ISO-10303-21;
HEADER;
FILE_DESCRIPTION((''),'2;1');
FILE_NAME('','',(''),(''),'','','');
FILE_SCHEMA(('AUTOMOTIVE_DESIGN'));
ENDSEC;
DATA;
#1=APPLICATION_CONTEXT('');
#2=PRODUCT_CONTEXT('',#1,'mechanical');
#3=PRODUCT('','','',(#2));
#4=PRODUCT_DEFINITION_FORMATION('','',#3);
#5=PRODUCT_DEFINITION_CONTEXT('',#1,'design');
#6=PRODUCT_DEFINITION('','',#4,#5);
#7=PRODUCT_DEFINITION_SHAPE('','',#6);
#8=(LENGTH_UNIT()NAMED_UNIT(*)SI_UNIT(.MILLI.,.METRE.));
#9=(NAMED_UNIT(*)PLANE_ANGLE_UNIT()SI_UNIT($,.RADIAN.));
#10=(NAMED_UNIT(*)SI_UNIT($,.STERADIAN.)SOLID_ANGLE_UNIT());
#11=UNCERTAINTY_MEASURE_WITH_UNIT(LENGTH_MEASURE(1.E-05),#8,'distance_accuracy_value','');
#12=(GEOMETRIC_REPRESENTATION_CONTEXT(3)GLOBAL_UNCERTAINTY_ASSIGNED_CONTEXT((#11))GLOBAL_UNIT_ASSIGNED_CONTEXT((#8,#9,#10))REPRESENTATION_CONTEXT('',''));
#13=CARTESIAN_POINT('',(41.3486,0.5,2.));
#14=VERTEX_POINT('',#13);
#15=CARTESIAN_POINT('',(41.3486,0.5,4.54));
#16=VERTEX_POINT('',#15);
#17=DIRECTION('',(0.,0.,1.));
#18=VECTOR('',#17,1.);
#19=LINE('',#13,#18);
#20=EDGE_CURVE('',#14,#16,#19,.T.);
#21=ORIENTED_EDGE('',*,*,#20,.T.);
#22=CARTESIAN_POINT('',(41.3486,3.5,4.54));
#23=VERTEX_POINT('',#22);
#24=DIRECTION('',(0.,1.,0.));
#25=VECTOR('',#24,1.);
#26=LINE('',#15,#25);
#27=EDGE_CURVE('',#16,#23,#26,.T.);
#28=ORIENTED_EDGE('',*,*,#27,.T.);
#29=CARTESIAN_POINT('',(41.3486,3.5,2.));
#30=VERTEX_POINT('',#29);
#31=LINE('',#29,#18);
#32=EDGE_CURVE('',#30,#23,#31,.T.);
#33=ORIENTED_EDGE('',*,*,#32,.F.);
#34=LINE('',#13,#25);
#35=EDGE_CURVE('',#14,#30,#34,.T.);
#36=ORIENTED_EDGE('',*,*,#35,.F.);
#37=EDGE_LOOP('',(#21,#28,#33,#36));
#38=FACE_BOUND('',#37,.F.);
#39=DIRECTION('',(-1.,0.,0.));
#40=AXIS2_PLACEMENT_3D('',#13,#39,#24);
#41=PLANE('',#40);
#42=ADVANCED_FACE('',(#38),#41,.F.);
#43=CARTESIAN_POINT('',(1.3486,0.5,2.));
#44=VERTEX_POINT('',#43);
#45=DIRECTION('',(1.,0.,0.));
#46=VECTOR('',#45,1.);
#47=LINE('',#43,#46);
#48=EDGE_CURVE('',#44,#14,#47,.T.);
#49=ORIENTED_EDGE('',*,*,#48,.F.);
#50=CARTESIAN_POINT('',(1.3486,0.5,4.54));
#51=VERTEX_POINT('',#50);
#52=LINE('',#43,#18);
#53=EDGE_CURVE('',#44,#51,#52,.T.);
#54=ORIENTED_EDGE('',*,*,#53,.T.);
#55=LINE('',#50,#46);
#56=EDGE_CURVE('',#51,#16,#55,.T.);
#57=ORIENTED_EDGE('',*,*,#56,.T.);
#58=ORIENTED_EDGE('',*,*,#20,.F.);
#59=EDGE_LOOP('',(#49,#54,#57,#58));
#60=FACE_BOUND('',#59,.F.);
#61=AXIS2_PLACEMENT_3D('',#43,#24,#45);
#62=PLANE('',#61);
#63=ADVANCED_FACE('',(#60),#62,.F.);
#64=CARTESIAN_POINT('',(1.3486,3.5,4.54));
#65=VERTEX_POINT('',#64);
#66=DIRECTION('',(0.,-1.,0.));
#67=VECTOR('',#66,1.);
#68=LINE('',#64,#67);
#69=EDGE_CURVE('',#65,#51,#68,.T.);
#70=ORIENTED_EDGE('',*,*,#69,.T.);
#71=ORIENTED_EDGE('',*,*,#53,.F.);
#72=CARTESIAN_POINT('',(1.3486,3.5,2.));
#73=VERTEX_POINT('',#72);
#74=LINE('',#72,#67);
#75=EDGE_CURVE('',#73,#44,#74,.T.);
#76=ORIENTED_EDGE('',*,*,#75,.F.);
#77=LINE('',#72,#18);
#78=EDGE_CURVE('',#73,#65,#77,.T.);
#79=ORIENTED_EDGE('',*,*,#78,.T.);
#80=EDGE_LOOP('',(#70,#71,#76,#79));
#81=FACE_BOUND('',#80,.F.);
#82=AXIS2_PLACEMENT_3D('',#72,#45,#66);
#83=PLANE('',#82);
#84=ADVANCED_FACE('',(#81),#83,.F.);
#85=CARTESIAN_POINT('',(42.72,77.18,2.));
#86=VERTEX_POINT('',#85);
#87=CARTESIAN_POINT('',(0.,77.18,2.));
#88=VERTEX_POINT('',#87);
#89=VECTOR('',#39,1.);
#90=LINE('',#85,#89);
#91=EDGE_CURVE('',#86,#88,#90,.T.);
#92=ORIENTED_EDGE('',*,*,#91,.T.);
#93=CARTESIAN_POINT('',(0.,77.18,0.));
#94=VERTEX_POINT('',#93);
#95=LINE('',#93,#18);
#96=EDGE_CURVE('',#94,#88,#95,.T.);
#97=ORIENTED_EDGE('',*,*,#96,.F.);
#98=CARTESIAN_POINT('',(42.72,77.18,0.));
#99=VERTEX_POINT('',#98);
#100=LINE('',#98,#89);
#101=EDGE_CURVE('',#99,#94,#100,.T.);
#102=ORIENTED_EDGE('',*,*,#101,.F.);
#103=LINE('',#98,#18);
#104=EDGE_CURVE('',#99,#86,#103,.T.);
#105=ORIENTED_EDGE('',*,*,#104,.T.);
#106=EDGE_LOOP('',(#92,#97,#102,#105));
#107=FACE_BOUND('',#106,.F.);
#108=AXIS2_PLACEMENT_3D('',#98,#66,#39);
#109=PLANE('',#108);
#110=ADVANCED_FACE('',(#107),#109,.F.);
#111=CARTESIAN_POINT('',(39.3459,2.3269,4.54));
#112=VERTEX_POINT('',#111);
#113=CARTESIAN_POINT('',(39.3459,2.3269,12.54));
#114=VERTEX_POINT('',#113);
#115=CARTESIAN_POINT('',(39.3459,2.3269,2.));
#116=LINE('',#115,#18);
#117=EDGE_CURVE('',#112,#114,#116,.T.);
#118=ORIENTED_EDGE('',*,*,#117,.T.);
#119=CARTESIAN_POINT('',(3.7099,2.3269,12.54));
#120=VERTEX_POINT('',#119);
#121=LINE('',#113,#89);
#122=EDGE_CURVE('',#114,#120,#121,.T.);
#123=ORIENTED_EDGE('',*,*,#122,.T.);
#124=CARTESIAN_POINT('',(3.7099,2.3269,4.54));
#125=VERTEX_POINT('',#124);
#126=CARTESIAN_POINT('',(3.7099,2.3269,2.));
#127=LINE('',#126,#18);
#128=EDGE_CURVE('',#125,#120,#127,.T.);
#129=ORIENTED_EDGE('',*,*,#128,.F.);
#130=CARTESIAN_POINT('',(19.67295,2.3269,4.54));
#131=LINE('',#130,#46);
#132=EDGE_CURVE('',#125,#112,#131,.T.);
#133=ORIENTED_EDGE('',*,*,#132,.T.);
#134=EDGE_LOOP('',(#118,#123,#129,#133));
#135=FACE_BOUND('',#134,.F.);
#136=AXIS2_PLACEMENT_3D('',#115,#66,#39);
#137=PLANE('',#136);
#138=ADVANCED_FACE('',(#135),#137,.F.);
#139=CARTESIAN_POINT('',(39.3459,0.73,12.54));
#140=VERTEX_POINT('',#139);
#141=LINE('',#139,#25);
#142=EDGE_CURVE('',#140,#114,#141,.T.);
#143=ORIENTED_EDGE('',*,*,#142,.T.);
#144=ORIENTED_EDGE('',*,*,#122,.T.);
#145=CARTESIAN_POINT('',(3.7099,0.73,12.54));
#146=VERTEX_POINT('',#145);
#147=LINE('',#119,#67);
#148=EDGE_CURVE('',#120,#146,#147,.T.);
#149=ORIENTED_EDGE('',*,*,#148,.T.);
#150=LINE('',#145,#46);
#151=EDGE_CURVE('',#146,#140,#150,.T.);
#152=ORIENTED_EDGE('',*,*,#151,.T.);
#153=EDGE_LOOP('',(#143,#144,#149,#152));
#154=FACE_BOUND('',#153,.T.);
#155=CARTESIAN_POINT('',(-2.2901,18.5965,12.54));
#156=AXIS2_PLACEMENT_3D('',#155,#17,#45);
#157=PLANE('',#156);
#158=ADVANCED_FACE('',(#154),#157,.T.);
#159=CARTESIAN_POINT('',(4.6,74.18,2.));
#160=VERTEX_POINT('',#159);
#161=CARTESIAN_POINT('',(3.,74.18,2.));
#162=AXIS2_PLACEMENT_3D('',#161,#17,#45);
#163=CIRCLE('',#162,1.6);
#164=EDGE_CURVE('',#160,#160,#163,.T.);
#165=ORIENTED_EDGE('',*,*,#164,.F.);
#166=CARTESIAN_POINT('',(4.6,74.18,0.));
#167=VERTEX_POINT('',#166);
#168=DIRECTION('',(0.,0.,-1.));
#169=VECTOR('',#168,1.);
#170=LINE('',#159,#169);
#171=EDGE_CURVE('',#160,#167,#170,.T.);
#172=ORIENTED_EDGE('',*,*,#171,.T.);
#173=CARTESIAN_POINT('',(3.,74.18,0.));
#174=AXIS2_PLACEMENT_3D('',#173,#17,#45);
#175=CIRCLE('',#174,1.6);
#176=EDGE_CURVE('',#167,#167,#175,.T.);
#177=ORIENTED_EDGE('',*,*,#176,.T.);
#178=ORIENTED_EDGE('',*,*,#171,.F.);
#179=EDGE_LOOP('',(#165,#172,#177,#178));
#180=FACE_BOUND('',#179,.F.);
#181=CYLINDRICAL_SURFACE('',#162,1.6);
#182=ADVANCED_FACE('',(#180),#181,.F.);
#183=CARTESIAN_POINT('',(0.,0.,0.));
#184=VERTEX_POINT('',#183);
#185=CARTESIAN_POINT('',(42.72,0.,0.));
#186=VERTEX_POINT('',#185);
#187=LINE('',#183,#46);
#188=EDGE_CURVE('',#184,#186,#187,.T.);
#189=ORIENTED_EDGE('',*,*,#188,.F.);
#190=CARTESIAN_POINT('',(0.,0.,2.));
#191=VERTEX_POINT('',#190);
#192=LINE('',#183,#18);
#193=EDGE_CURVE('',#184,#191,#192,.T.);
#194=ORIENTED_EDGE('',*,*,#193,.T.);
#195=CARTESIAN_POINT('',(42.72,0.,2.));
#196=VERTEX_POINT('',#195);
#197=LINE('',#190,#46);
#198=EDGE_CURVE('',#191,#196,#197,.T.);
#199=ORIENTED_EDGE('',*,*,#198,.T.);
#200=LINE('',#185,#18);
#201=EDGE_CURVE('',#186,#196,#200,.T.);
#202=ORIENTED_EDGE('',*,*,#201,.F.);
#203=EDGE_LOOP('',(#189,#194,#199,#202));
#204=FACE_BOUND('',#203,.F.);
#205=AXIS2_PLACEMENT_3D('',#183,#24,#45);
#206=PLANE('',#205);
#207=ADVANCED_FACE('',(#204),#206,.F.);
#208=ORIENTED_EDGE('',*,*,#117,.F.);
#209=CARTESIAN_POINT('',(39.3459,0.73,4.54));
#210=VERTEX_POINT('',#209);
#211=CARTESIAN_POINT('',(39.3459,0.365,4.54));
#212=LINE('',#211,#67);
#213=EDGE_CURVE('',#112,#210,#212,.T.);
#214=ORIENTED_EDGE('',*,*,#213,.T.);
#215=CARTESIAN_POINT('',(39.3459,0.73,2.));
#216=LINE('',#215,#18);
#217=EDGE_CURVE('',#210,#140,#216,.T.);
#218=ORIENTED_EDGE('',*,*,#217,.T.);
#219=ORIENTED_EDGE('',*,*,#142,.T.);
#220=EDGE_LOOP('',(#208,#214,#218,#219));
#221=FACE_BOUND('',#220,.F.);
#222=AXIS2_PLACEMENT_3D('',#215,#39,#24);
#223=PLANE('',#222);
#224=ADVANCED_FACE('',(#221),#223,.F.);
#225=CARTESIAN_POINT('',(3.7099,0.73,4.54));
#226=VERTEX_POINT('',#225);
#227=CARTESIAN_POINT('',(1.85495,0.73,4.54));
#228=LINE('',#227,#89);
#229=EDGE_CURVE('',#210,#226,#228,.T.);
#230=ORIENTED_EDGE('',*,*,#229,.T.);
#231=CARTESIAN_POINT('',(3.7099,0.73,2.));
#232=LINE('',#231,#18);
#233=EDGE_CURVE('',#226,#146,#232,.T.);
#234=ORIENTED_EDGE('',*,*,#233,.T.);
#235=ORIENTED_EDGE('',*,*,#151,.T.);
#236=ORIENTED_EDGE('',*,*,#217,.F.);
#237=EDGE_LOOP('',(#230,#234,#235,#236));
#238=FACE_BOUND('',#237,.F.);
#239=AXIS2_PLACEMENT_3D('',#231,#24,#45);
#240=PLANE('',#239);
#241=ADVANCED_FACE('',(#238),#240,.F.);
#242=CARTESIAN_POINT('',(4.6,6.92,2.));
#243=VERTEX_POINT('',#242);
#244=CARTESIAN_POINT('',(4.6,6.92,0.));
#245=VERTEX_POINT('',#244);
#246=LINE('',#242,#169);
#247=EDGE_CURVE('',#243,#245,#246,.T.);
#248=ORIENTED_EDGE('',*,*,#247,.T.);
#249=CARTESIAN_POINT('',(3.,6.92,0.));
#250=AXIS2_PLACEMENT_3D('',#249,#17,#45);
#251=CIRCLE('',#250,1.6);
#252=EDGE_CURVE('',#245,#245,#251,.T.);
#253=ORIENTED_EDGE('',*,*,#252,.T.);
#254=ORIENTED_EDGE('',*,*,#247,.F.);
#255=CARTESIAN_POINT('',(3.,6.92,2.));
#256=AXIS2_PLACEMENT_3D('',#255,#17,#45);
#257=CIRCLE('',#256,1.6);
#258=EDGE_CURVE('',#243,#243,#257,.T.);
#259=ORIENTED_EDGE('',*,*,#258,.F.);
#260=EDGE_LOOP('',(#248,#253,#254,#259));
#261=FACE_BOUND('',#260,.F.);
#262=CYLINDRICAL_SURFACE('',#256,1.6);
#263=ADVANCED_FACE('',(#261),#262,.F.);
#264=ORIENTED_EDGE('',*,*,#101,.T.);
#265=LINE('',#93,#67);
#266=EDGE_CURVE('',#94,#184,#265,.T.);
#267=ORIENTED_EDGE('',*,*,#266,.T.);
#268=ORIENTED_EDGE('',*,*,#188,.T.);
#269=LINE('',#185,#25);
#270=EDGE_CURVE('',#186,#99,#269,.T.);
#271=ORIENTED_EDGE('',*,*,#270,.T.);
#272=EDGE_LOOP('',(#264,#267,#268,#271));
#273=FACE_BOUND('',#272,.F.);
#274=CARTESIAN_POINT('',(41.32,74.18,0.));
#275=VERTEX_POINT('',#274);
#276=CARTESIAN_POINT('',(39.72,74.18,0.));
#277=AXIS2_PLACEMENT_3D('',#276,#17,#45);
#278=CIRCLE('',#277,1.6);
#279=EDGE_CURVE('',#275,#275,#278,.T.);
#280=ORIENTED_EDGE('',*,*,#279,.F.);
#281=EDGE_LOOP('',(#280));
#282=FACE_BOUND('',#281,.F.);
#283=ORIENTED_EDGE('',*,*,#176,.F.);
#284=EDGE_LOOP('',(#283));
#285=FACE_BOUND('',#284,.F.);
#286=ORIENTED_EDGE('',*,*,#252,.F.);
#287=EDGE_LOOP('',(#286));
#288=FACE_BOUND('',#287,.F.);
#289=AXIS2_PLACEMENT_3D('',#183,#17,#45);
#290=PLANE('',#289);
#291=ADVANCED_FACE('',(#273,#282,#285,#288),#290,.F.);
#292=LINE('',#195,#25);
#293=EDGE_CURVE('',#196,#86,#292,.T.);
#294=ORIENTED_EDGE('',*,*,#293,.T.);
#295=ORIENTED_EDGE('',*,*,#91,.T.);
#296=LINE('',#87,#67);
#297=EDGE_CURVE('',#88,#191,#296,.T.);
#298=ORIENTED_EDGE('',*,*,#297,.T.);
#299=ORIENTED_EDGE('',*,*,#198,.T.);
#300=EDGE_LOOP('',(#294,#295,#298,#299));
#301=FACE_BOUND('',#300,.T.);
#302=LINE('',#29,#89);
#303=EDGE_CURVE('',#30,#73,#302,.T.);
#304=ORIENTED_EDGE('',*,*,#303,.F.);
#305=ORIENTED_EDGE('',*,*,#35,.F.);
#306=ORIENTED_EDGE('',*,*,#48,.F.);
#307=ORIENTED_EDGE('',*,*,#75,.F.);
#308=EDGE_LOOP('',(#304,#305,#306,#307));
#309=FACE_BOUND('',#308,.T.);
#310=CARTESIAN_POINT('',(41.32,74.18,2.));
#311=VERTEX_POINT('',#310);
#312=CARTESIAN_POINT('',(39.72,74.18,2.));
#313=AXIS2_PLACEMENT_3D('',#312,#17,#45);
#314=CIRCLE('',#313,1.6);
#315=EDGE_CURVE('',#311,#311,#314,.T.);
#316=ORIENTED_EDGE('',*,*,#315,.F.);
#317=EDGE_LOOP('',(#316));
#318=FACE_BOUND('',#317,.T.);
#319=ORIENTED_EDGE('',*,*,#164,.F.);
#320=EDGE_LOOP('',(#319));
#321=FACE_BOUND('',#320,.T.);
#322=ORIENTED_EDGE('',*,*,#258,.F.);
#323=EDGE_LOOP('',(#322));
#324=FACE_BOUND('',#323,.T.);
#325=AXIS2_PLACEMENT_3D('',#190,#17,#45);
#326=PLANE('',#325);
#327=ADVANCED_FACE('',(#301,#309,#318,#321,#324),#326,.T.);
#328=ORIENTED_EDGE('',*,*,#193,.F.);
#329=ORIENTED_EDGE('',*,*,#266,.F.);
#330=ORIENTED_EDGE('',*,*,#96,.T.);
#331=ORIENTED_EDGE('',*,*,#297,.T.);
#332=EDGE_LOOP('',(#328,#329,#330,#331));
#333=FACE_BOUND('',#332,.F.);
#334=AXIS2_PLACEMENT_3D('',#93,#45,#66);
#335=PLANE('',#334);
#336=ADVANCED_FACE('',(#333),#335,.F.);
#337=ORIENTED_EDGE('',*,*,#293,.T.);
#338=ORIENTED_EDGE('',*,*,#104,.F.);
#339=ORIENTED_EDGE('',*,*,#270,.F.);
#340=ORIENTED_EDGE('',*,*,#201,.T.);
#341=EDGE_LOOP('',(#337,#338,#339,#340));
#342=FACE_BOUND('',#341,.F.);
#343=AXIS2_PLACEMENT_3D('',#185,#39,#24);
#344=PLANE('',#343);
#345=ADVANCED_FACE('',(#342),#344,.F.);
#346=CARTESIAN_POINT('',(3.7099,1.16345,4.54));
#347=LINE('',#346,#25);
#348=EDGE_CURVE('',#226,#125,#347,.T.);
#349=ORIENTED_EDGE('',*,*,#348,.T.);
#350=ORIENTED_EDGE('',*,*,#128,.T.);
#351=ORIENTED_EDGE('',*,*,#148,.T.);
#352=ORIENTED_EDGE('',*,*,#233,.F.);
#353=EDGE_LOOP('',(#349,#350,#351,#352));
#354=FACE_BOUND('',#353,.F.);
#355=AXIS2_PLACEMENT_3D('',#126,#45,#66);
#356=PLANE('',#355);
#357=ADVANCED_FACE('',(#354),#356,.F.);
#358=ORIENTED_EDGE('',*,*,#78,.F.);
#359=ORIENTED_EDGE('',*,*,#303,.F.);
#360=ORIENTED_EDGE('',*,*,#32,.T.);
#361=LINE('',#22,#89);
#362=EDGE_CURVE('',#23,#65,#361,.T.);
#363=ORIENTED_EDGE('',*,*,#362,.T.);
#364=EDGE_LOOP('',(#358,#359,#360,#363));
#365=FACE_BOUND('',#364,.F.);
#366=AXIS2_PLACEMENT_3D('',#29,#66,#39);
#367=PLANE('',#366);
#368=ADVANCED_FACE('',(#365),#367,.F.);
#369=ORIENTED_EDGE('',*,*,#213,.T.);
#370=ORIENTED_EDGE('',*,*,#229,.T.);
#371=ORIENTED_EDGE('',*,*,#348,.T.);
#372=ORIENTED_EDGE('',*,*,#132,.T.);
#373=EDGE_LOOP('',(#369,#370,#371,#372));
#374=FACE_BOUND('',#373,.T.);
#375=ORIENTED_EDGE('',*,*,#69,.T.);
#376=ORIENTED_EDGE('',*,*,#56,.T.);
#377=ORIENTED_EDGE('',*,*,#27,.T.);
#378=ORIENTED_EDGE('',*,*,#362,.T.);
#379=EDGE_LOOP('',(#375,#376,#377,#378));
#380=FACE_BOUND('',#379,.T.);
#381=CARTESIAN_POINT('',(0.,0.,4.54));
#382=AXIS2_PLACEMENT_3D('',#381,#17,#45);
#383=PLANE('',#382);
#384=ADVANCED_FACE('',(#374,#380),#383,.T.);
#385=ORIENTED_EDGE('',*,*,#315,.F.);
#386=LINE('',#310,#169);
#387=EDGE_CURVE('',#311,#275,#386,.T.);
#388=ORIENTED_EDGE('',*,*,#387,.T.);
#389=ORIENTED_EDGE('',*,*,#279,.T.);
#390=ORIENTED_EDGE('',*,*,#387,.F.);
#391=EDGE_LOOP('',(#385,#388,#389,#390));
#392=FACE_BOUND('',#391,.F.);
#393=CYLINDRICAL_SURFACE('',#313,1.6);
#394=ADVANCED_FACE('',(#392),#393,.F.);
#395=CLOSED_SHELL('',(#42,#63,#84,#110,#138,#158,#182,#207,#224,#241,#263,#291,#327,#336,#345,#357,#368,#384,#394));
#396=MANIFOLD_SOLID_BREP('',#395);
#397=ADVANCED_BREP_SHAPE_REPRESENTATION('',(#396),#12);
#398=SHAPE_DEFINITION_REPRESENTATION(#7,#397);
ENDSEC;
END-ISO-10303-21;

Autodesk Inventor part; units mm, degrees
ref_plane "YZ Plane" through (0, 0, 0) normal (1, 0, 0) x (0, 1, 0)
ref_plane "XZ Plane" through (0, 0, 0) normal (0, 1, 0) x (-1, 0, 0)
ref_plane "XY Plane" through (0, 0, 0) normal (0, 0, 1) x (1, 0, 0)
sketch "Sketch1" plane through (0, 0, 0) normal (0, 0, 1) x (1, 0, 0)
  line L0 (42.72, 0) -> (42.72, 77.18)
  line L1 (42.72, 77.18) -> (0, 77.18)
  line L2 (0, 77.18) -> (0, 0)
  line L3 (0, 0) -> (42.72, 0)
  point P0 (0, 0)
  dimension "d0" = 77.18
  dimension "d1" = 42.72
extrude "Extrusion1" add sketch "Sketch1" along normal blind 2
sketch "Sketch3" plane through (0, 0, 2) normal (0, 0, 1) x (1, 0, 0)
  line L0 (1.3486, 0.5) -> (41.3486, 0.5)
  line L1 (41.3486, 0.5) -> (41.3486, 3.5)
  line L2 (41.3486, 3.5) -> (1.3486, 3.5)
  line L3 (1.3486, 3.5) -> (1.3486, 0.5)
  line L4 (0, 0) -> (42.72, 0) projected
  dimension "d4" = 40
  dimension "d5" = 3
  dimension "d18" = 0.5
sketch "Sketch4" plane through (0, 0, 2) normal (0, 0, 1) x (1, 0, 0)
  point P0 (0, 0)
sketch "Sketch5" plane through (0, 0, 2) normal (0, 0, 1) x (1, 0, 0)
  point P0 (0, 0)
extrude "Extrusion2" add sketch "Sketch3" along normal blind 2.54
sketch "Sketch6" plane through (-2.2901, 18.5965, 2) normal (0, 0, 1) x (1, 0, 0)
  line L0 (41.636, -17.8665) -> (41.636, -16.2696)
  line L1 (41.636, -16.2696) -> (6, -16.2696)
  line L2 (6, -16.2696) -> (6, -17.8665)
  line L3 (6, -17.8665) -> (41.636, -17.8665)
  line L4 (43.6387, -18.0965) -> (3.6387, -18.0965) projected
  point P0 (0, 0)
  dimension "d19" = 0.23
extrude "Extrusion3" add sketch "Sketch6" along normal blind 10.54
sketch "Sketch7" plane through (0, 0, 2) normal (0, 0, 1) x (1, 0, 0)
  circle A0 centre (3, 6.92) radius 1.6
  point P0 (0, 0)
  dimension "d11" = 3.2
extrude "Extrusion4" cut sketch "Sketch7" against normal blind 2.54
sketch "Sketch8" plane through (0, 0, 2) normal (0, 0, 1) x (1, 0, 0)
  circle A0 centre (3, 74.18) radius 1.6
  circle A1 centre (39.72, 74.18) radius 1.6
  point P0 (0, 0)
  dimension "d14" = 3.2
extrude "Extrusion5" cut sketch "Sketch8" against normal blind 2.54
properties part number "lcd display"
